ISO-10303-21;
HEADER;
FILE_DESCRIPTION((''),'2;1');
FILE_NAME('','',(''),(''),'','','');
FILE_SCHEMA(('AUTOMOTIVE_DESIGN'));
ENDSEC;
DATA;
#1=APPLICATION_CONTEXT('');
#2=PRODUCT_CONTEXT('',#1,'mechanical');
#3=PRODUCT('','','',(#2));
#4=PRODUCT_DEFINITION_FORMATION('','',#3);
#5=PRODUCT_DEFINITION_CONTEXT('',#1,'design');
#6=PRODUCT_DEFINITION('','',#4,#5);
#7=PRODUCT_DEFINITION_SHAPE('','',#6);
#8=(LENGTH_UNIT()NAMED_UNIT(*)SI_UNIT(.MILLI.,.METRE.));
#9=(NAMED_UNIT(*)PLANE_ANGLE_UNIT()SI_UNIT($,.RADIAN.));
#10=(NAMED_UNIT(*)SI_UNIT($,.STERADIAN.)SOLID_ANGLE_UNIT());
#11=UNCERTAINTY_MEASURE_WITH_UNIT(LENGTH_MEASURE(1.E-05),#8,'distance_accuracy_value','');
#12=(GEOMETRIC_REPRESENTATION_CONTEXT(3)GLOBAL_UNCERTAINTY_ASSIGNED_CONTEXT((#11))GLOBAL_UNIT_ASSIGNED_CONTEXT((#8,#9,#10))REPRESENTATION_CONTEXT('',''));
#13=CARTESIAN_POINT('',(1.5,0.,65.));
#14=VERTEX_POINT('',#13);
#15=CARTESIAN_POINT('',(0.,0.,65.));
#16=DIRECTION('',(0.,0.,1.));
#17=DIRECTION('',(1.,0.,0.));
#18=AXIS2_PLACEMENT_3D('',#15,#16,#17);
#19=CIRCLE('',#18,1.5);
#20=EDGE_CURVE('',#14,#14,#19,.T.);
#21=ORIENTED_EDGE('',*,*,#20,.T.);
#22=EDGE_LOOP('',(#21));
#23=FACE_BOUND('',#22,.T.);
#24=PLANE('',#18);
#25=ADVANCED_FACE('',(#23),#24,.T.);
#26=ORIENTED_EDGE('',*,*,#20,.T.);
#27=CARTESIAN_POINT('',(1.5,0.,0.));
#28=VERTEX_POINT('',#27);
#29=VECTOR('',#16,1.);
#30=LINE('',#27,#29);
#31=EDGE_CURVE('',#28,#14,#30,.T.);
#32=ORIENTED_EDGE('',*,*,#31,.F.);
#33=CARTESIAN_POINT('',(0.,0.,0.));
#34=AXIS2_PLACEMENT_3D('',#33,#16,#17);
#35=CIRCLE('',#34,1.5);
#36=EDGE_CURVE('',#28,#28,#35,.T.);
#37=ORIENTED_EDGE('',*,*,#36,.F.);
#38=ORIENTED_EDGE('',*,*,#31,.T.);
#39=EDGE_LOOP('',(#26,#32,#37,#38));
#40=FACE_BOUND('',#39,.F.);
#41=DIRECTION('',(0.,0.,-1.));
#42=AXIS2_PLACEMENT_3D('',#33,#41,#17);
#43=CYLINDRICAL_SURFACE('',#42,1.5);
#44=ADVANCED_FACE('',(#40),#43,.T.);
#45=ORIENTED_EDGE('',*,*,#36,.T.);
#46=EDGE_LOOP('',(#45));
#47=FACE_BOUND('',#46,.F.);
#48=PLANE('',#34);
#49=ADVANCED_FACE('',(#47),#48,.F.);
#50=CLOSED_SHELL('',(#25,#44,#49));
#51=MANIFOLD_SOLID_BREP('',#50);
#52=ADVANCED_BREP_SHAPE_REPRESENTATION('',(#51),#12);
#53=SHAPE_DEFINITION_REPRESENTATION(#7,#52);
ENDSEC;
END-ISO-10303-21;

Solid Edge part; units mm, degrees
sketch "Sketch1" plane through (0, 0, 0) normal (0, 0, 1) x (1, 0, 0)
  circle A0 centre (0, 0) radius 1.5
extrude "Protrusion1" add sketch "Sketch1" along normal blind 65
properties material "Iron, grey cast type 20"
